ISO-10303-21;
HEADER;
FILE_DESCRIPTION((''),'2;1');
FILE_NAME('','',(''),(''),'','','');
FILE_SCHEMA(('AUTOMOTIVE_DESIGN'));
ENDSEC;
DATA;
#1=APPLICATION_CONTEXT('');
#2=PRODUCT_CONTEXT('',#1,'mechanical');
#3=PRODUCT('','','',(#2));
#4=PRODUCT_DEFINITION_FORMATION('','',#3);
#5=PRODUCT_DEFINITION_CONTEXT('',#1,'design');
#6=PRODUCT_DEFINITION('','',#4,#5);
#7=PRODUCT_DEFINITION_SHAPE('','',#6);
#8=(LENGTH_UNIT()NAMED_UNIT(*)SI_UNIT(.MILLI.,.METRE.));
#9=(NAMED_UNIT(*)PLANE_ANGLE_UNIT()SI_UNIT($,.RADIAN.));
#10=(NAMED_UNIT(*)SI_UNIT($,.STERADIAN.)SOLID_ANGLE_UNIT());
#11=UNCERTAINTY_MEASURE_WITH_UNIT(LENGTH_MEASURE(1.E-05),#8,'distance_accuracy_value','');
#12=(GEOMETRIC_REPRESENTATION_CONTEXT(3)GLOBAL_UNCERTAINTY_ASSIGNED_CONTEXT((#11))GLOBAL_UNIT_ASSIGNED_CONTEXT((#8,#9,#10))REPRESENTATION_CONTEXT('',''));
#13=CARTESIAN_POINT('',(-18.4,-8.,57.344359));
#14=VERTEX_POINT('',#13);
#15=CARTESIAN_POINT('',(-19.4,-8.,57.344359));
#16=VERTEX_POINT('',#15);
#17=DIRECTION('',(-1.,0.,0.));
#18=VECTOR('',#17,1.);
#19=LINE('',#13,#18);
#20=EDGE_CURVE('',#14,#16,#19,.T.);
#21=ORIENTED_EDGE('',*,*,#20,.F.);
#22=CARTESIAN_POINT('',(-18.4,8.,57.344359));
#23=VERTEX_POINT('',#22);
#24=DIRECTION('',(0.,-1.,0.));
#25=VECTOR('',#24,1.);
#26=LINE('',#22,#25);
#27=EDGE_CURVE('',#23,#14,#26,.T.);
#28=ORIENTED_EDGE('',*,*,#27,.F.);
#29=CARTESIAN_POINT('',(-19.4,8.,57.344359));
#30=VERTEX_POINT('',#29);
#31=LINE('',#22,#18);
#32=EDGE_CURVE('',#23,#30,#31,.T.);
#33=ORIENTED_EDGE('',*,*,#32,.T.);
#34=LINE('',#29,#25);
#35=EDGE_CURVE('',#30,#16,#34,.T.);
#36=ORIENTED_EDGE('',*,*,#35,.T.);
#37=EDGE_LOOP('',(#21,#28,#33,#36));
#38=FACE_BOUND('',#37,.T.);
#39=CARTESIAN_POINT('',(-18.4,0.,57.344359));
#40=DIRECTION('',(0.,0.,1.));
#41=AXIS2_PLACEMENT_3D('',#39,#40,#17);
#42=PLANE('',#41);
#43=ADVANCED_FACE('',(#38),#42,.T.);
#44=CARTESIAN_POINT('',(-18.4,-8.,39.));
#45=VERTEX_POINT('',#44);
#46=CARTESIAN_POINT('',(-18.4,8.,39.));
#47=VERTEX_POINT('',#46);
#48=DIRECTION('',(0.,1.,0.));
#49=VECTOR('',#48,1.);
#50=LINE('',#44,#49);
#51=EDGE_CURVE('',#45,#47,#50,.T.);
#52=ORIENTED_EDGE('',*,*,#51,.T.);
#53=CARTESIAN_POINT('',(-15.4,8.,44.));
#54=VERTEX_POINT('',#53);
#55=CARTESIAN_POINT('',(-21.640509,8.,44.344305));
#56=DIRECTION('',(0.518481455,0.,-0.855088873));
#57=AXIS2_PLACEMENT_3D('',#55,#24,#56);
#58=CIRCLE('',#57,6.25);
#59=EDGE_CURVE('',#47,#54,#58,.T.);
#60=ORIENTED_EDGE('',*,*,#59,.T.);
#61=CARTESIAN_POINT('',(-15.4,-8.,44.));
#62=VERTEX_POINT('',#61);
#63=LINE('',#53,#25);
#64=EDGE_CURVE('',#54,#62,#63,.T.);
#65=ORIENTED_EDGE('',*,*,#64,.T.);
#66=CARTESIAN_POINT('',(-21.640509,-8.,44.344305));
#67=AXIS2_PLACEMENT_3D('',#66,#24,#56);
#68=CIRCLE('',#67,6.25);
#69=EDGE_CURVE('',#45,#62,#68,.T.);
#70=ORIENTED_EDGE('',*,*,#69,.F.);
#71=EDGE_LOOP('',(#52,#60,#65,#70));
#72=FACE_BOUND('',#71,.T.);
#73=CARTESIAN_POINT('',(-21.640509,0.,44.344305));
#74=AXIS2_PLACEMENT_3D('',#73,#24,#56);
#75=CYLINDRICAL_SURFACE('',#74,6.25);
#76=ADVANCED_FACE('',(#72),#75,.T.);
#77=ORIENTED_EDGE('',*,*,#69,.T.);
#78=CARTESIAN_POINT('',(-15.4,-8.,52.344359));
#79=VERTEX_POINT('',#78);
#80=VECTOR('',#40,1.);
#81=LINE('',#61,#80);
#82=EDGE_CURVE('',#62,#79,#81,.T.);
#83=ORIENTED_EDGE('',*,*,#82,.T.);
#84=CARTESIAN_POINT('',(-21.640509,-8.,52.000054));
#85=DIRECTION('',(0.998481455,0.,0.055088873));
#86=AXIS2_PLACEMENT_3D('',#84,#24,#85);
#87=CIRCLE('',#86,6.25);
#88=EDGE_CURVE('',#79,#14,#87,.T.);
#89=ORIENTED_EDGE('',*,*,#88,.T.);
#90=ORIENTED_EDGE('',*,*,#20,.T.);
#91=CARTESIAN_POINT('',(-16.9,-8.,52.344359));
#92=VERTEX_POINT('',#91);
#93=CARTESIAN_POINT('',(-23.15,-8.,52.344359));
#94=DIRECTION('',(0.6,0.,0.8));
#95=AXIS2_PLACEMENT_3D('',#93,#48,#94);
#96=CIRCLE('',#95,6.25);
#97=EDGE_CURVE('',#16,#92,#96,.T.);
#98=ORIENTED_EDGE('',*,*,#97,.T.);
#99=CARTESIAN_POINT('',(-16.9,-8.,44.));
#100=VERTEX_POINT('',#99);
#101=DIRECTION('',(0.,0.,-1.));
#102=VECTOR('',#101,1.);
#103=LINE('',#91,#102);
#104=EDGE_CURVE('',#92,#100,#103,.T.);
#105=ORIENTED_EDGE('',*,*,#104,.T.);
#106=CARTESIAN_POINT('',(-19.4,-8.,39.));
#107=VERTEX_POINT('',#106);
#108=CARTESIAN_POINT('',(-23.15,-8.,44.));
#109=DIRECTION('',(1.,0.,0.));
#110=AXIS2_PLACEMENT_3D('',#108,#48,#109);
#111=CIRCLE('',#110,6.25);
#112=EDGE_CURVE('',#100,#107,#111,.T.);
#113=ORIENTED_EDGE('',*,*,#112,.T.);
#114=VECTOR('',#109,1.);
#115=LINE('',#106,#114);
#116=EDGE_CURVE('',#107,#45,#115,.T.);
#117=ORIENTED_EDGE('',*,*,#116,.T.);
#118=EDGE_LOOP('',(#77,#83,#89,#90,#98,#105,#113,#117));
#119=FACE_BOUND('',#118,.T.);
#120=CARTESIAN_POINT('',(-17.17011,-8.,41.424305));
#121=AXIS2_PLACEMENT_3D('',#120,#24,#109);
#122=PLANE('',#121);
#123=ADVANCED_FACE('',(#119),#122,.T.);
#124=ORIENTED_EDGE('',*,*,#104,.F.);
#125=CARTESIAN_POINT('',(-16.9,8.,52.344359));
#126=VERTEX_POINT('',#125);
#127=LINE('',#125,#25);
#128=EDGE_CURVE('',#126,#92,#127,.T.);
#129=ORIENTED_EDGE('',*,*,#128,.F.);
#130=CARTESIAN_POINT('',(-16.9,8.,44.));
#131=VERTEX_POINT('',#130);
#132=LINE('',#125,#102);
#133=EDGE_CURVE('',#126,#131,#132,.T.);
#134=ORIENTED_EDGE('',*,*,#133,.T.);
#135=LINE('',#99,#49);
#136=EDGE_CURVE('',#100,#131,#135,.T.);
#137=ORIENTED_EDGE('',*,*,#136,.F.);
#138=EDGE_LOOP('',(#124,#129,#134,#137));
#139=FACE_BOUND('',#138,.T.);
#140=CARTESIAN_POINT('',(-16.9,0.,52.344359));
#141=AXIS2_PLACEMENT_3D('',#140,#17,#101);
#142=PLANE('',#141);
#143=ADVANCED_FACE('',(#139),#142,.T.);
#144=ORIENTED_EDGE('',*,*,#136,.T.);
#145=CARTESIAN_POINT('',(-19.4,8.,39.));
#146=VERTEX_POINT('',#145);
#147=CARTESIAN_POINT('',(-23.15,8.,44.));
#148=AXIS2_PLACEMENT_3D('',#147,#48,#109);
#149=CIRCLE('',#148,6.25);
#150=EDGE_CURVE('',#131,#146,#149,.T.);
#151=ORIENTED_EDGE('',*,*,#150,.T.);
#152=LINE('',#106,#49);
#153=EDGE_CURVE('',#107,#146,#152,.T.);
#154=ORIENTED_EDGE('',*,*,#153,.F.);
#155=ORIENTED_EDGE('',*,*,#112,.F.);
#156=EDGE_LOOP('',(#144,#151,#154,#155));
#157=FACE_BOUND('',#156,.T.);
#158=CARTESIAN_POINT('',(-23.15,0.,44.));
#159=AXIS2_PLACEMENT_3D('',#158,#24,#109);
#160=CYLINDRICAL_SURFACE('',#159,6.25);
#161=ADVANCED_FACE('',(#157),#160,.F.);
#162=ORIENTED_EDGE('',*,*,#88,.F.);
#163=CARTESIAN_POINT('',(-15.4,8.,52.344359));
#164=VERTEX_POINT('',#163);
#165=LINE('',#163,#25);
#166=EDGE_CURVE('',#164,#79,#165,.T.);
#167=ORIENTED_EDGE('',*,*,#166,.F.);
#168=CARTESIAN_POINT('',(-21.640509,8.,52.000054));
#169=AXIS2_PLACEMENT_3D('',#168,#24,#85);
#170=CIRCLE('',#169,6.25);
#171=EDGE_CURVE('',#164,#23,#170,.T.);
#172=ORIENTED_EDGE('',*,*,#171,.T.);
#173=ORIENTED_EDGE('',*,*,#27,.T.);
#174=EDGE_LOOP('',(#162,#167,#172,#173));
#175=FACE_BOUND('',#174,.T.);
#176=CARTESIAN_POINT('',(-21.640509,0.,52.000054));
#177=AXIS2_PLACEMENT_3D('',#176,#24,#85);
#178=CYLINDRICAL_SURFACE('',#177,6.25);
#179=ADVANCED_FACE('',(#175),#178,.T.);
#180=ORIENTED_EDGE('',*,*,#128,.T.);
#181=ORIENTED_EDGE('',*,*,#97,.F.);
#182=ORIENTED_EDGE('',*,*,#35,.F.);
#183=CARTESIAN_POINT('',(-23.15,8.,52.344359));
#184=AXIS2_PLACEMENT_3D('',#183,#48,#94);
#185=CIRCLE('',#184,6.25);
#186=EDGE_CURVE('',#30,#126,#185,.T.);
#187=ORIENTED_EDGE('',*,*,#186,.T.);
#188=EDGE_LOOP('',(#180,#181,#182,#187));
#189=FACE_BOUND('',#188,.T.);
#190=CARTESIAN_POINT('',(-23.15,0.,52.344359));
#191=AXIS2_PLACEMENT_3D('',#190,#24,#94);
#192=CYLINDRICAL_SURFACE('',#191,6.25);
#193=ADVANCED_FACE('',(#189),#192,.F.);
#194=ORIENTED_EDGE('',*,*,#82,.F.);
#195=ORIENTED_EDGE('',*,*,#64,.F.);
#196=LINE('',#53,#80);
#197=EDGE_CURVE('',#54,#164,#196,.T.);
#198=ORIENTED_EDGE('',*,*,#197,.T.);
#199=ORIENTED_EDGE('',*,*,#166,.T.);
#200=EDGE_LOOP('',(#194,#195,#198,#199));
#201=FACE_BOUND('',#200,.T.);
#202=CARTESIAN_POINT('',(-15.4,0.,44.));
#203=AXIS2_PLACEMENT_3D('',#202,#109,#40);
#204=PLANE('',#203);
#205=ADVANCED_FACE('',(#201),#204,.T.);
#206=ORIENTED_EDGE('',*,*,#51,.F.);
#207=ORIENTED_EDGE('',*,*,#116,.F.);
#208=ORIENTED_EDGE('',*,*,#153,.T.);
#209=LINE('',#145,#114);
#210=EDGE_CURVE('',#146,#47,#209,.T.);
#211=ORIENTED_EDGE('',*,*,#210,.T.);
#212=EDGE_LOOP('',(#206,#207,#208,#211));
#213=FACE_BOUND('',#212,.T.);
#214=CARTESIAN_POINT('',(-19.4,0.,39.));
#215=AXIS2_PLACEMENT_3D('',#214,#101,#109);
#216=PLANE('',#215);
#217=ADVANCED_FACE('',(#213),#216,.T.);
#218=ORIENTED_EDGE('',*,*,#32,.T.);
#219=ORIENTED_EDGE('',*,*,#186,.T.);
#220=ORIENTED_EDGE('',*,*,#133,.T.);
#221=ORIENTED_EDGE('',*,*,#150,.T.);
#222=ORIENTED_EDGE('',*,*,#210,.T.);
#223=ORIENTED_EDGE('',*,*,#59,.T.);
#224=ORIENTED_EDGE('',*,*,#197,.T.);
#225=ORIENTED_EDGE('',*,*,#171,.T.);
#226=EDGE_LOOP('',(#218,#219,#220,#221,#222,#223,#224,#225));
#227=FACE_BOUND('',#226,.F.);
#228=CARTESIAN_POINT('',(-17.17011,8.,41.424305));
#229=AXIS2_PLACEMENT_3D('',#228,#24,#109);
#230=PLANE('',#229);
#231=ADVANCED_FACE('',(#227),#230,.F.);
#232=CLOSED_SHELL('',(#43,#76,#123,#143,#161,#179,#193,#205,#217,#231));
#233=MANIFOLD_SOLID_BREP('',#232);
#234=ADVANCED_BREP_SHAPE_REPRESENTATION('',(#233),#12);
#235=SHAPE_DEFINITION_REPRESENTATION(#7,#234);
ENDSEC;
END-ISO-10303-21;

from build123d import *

# Parameters (mm, degrees)
F0_W          = 1.5
F0_H          = 4.1721797287
F1_DEPTH      = 8
F1_DEPTH_BACK = 8


with BuildPart() as f1:
    # F0 (on Front) → F1 (new body, two sides)
    with BuildSketch(Plane.XZ) as f1_sk:
        with BuildLine():
            ThreePointArc((-18.4, 39), (-16.2811783083, 41.128706985), (-15.4, 44))
            Line((-15.4, 44), (-16.9, 44))
            ThreePointArc((-16.9, 44), (-17.5598300563, 41.2049150281), (-19.4, 39))
            Line((-19.4, 39), (-18.4, 39))
        make_face()
        with Locations((-16.15, 46.0860898644)):
            Rectangle(F0_W, F0_H)
        with Locations((-16.15, 50.2582695931)):
            Rectangle(F0_W, F0_H)
        with BuildLine():
            Line((-16.9, 52.3443594575), (-15.4, 52.3443594575))
            ThreePointArc((-15.4, 52.3443594575), (-16.2811783083, 55.2156524725), (-18.4, 57.3443594575))
            Line((-18.4, 57.3443594575), (-19.4, 57.3443594575))
            ThreePointArc((-19.4, 57.3443594575), (-17.5598300563, 55.1394444294), (-16.9, 52.3443594575))
        make_face()
    extrude(amount=F1_DEPTH)
    extrude(f1_sk.sketch, amount=-F1_DEPTH_BACK)


solid = f1.part
